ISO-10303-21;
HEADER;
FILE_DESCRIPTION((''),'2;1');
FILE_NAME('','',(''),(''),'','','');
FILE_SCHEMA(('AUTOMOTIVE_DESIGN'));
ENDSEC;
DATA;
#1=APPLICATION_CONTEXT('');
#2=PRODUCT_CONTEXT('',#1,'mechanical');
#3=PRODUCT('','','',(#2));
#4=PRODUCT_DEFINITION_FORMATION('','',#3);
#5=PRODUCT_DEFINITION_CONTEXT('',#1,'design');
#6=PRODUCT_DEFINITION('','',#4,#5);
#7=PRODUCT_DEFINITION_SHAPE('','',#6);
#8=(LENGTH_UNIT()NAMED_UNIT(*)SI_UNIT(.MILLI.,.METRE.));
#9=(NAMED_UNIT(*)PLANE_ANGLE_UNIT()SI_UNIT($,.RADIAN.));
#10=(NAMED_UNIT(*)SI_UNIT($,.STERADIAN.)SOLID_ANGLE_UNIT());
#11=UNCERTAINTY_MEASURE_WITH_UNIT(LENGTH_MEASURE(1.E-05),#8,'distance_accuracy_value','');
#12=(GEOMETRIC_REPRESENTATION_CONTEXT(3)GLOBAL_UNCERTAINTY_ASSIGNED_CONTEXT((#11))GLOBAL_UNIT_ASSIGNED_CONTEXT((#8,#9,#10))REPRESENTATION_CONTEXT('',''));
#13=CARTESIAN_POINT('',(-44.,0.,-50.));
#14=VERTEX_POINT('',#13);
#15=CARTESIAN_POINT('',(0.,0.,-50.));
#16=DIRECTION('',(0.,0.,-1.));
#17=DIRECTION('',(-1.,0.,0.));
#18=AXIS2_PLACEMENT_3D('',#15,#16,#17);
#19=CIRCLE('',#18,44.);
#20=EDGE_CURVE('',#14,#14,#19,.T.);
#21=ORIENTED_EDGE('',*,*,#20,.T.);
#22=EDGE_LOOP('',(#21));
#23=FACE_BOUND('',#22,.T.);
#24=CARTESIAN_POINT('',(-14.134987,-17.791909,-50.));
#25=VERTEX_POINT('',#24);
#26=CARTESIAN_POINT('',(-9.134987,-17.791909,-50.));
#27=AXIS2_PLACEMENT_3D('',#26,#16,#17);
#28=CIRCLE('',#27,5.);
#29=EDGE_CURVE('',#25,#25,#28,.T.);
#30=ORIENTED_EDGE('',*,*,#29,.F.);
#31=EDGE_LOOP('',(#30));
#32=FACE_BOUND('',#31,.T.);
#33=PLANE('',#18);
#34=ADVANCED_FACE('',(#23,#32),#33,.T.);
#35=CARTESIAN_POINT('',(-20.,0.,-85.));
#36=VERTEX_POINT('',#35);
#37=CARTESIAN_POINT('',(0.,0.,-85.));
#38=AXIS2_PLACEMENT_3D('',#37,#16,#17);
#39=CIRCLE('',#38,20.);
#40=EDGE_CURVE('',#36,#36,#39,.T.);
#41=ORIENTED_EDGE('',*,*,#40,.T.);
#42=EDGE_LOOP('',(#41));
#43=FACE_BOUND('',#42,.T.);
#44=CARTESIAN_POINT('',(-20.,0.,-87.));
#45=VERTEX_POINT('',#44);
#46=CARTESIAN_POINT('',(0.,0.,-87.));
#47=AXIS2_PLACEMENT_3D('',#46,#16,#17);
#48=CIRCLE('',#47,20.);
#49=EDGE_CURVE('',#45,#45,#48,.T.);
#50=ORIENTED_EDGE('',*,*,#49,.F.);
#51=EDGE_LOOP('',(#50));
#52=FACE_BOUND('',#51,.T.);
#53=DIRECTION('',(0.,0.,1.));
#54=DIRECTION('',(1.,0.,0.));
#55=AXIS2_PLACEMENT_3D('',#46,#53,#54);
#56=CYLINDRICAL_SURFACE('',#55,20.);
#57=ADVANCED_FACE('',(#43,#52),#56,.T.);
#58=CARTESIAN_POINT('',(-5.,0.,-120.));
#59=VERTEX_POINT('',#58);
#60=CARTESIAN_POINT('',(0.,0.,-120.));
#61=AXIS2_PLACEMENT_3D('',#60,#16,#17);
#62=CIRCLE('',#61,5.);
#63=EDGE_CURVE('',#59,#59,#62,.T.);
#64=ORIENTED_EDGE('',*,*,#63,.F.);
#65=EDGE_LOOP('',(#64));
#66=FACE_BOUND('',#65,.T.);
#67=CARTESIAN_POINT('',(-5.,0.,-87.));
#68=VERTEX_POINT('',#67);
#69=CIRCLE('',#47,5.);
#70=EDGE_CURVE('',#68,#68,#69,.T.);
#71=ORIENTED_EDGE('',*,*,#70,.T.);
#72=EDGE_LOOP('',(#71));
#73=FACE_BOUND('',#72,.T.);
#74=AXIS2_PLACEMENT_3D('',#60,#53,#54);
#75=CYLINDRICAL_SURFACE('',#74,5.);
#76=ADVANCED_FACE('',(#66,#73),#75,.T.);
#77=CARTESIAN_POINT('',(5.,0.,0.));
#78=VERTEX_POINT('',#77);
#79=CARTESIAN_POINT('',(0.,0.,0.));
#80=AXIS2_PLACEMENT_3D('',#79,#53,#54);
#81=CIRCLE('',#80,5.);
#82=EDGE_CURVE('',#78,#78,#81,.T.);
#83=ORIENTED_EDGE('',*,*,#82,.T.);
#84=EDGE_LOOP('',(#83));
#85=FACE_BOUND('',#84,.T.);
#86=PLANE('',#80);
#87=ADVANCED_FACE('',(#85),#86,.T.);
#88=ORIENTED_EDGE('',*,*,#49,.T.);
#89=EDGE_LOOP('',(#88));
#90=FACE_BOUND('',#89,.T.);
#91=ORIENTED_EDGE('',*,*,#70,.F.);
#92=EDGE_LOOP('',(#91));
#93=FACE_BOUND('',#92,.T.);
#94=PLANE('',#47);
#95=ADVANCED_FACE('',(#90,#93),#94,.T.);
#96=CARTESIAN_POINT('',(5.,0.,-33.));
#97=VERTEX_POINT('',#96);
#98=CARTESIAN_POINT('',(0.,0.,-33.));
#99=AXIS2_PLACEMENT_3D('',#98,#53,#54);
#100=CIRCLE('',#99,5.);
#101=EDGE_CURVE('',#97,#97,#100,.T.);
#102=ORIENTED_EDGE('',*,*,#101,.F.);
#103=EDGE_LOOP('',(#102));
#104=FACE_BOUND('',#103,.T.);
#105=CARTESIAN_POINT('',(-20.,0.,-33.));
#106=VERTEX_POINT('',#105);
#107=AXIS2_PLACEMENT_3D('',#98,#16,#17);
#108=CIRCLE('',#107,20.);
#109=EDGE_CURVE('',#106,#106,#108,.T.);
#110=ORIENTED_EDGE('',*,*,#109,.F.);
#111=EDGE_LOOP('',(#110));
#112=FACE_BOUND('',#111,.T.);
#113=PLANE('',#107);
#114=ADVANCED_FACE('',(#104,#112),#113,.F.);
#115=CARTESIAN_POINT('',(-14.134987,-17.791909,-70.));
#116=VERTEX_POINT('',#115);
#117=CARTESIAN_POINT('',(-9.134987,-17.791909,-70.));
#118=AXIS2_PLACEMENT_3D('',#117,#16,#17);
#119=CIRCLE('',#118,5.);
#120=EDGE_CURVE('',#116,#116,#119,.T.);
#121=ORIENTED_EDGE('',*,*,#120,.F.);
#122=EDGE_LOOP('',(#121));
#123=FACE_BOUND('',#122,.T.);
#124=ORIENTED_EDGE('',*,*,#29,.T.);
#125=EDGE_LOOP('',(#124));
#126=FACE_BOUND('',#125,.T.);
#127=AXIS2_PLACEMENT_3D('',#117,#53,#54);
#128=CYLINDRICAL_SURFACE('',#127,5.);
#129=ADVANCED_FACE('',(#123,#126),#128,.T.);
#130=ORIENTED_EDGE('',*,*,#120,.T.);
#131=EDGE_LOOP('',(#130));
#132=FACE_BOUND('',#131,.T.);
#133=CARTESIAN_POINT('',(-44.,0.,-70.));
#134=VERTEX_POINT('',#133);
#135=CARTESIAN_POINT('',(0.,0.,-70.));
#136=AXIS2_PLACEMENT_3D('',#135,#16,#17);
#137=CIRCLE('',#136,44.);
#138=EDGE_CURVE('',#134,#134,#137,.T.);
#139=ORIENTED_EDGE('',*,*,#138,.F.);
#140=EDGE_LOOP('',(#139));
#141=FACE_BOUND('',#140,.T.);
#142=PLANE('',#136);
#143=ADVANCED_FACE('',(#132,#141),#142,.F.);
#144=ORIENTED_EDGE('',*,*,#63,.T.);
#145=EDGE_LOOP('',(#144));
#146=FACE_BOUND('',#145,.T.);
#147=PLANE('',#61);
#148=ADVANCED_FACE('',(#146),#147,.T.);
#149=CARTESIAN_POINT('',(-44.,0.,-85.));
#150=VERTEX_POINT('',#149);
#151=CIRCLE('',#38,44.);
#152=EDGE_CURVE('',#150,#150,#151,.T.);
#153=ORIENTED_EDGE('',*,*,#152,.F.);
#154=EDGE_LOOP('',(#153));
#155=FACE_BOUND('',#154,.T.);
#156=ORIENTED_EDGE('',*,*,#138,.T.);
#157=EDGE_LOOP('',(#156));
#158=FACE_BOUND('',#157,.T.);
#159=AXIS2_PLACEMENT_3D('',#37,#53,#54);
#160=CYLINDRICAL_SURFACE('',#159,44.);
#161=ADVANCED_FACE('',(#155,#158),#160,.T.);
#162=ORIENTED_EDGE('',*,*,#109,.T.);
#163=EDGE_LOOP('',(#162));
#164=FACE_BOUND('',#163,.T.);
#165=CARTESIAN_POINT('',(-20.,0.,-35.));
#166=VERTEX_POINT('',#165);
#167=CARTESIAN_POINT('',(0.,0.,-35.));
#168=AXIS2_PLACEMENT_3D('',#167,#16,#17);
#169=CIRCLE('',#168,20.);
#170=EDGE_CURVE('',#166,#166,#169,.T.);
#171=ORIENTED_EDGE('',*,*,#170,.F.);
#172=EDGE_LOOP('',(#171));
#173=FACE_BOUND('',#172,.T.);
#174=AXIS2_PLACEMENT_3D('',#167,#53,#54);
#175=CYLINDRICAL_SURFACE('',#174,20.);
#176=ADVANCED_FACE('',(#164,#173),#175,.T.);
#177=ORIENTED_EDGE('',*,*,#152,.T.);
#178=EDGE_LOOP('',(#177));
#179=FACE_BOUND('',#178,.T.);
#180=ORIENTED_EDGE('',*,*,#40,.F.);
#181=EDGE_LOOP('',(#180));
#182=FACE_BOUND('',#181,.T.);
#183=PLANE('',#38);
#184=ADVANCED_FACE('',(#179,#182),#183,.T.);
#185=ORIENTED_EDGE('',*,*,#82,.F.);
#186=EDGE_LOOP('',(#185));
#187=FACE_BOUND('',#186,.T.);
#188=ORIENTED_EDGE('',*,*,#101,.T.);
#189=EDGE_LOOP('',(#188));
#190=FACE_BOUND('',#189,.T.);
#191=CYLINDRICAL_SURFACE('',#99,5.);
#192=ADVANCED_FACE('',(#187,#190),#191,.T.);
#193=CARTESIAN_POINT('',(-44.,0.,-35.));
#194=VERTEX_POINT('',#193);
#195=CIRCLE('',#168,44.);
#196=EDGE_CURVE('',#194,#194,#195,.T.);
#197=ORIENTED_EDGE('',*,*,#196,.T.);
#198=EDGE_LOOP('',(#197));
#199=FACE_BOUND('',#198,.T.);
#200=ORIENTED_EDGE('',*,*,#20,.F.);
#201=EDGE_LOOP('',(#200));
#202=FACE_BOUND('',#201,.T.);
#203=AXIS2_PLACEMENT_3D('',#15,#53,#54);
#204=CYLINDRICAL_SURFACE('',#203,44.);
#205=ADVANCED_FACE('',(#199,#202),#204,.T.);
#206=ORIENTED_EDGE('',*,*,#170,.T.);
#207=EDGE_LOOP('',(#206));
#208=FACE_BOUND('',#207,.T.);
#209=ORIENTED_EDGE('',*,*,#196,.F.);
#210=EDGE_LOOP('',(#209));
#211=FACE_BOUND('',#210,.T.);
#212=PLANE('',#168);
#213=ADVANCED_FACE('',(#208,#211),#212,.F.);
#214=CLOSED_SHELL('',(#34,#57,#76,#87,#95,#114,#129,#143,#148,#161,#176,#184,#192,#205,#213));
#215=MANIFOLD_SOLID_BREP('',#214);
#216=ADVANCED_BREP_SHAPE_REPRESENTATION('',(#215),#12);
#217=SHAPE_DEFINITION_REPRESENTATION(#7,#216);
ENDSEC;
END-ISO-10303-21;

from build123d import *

# Parameters (mm, degrees)
SZKIC1_R                    = 5
DODANIE_WYCI_GNI_CIE1_DEPTH = 33
SZKIC2_R                    = 20
DODANIE_WYCI_GNI_CIE2_DEPTH = 2
SZKIC3_R                    = 44
DODANIE_WYCI_GNI_CIE3_DEPTH = 15
SZKIC5_R                    = 5
DODANIE_WYCI_GNI_CIE6_DEPTH = 20
SZKIC6_R                    = 44
DODANIE_WYCI_GNI_CIE7_DEPTH = 15
SZKIC7_R                    = 20
DODANIE_WYCI_GNI_CIE8_DEPTH = 2
SZKIC8_R                    = 5
DODANIE_WYCI_GNI_CIE9_DEPTH = 33


with BuildPart() as part:
    # Szkic1 → Dodanie-wyciągnięcie1 (new body)
    with BuildSketch(Plane.XY):
        Circle(SZKIC1_R)
    extrude(amount=-DODANIE_WYCI_GNI_CIE1_DEPTH)

    # Szkic2 → Dodanie-wyciągnięcie2 (add)
    with BuildSketch(Plane(origin=(0, 0, -33), x_dir=(-1, 0, 0), z_dir=(0, 0, -1))):
        Circle(SZKIC2_R)
    extrude(amount=DODANIE_WYCI_GNI_CIE2_DEPTH)

    # Szkic3 → Dodanie-wyciągnięcie3 (add)
    with BuildSketch(Plane(origin=(0, 0, -35), x_dir=(-1, 0, 0), z_dir=(0, 0, -1))):
        Circle(SZKIC3_R)
    extrude(amount=DODANIE_WYCI_GNI_CIE3_DEPTH)

    # Szkic5 → Dodanie-wyciągnięcie6 (add)
    with BuildSketch(Plane(origin=(0, 0, -50), x_dir=(-1, 0, 0), z_dir=(0, 0, -1))):
        with Locations((9.134986503, -17.79190888)):
            Circle(SZKIC5_R)
    extrude(amount=DODANIE_WYCI_GNI_CIE6_DEPTH)

    # Szkic6 → Dodanie-wyciągnięcie7 (add)
    with BuildSketch(Plane(origin=(0, 0, -70), x_dir=(-1, 0, 0), z_dir=(0, 0, -1))):
        Circle(SZKIC6_R)
    extrude(amount=DODANIE_WYCI_GNI_CIE7_DEPTH)

    # Szkic7 → Dodanie-wyciągnięcie8 (add)
    with BuildSketch(Plane(origin=(0, 0, -85), x_dir=(-1, 0, 0), z_dir=(0, 0, -1))):
        Circle(SZKIC7_R)
    extrude(amount=DODANIE_WYCI_GNI_CIE8_DEPTH)

    # Szkic8 → Dodanie-wyciągnięcie9 (add)
    with BuildSketch(Plane(origin=(0, 0, -87), x_dir=(-1, 0, 0), z_dir=(0, 0, -1))):
        Circle(SZKIC8_R)
    extrude(amount=DODANIE_WYCI_GNI_CIE9_DEPTH)


solid = part.part
